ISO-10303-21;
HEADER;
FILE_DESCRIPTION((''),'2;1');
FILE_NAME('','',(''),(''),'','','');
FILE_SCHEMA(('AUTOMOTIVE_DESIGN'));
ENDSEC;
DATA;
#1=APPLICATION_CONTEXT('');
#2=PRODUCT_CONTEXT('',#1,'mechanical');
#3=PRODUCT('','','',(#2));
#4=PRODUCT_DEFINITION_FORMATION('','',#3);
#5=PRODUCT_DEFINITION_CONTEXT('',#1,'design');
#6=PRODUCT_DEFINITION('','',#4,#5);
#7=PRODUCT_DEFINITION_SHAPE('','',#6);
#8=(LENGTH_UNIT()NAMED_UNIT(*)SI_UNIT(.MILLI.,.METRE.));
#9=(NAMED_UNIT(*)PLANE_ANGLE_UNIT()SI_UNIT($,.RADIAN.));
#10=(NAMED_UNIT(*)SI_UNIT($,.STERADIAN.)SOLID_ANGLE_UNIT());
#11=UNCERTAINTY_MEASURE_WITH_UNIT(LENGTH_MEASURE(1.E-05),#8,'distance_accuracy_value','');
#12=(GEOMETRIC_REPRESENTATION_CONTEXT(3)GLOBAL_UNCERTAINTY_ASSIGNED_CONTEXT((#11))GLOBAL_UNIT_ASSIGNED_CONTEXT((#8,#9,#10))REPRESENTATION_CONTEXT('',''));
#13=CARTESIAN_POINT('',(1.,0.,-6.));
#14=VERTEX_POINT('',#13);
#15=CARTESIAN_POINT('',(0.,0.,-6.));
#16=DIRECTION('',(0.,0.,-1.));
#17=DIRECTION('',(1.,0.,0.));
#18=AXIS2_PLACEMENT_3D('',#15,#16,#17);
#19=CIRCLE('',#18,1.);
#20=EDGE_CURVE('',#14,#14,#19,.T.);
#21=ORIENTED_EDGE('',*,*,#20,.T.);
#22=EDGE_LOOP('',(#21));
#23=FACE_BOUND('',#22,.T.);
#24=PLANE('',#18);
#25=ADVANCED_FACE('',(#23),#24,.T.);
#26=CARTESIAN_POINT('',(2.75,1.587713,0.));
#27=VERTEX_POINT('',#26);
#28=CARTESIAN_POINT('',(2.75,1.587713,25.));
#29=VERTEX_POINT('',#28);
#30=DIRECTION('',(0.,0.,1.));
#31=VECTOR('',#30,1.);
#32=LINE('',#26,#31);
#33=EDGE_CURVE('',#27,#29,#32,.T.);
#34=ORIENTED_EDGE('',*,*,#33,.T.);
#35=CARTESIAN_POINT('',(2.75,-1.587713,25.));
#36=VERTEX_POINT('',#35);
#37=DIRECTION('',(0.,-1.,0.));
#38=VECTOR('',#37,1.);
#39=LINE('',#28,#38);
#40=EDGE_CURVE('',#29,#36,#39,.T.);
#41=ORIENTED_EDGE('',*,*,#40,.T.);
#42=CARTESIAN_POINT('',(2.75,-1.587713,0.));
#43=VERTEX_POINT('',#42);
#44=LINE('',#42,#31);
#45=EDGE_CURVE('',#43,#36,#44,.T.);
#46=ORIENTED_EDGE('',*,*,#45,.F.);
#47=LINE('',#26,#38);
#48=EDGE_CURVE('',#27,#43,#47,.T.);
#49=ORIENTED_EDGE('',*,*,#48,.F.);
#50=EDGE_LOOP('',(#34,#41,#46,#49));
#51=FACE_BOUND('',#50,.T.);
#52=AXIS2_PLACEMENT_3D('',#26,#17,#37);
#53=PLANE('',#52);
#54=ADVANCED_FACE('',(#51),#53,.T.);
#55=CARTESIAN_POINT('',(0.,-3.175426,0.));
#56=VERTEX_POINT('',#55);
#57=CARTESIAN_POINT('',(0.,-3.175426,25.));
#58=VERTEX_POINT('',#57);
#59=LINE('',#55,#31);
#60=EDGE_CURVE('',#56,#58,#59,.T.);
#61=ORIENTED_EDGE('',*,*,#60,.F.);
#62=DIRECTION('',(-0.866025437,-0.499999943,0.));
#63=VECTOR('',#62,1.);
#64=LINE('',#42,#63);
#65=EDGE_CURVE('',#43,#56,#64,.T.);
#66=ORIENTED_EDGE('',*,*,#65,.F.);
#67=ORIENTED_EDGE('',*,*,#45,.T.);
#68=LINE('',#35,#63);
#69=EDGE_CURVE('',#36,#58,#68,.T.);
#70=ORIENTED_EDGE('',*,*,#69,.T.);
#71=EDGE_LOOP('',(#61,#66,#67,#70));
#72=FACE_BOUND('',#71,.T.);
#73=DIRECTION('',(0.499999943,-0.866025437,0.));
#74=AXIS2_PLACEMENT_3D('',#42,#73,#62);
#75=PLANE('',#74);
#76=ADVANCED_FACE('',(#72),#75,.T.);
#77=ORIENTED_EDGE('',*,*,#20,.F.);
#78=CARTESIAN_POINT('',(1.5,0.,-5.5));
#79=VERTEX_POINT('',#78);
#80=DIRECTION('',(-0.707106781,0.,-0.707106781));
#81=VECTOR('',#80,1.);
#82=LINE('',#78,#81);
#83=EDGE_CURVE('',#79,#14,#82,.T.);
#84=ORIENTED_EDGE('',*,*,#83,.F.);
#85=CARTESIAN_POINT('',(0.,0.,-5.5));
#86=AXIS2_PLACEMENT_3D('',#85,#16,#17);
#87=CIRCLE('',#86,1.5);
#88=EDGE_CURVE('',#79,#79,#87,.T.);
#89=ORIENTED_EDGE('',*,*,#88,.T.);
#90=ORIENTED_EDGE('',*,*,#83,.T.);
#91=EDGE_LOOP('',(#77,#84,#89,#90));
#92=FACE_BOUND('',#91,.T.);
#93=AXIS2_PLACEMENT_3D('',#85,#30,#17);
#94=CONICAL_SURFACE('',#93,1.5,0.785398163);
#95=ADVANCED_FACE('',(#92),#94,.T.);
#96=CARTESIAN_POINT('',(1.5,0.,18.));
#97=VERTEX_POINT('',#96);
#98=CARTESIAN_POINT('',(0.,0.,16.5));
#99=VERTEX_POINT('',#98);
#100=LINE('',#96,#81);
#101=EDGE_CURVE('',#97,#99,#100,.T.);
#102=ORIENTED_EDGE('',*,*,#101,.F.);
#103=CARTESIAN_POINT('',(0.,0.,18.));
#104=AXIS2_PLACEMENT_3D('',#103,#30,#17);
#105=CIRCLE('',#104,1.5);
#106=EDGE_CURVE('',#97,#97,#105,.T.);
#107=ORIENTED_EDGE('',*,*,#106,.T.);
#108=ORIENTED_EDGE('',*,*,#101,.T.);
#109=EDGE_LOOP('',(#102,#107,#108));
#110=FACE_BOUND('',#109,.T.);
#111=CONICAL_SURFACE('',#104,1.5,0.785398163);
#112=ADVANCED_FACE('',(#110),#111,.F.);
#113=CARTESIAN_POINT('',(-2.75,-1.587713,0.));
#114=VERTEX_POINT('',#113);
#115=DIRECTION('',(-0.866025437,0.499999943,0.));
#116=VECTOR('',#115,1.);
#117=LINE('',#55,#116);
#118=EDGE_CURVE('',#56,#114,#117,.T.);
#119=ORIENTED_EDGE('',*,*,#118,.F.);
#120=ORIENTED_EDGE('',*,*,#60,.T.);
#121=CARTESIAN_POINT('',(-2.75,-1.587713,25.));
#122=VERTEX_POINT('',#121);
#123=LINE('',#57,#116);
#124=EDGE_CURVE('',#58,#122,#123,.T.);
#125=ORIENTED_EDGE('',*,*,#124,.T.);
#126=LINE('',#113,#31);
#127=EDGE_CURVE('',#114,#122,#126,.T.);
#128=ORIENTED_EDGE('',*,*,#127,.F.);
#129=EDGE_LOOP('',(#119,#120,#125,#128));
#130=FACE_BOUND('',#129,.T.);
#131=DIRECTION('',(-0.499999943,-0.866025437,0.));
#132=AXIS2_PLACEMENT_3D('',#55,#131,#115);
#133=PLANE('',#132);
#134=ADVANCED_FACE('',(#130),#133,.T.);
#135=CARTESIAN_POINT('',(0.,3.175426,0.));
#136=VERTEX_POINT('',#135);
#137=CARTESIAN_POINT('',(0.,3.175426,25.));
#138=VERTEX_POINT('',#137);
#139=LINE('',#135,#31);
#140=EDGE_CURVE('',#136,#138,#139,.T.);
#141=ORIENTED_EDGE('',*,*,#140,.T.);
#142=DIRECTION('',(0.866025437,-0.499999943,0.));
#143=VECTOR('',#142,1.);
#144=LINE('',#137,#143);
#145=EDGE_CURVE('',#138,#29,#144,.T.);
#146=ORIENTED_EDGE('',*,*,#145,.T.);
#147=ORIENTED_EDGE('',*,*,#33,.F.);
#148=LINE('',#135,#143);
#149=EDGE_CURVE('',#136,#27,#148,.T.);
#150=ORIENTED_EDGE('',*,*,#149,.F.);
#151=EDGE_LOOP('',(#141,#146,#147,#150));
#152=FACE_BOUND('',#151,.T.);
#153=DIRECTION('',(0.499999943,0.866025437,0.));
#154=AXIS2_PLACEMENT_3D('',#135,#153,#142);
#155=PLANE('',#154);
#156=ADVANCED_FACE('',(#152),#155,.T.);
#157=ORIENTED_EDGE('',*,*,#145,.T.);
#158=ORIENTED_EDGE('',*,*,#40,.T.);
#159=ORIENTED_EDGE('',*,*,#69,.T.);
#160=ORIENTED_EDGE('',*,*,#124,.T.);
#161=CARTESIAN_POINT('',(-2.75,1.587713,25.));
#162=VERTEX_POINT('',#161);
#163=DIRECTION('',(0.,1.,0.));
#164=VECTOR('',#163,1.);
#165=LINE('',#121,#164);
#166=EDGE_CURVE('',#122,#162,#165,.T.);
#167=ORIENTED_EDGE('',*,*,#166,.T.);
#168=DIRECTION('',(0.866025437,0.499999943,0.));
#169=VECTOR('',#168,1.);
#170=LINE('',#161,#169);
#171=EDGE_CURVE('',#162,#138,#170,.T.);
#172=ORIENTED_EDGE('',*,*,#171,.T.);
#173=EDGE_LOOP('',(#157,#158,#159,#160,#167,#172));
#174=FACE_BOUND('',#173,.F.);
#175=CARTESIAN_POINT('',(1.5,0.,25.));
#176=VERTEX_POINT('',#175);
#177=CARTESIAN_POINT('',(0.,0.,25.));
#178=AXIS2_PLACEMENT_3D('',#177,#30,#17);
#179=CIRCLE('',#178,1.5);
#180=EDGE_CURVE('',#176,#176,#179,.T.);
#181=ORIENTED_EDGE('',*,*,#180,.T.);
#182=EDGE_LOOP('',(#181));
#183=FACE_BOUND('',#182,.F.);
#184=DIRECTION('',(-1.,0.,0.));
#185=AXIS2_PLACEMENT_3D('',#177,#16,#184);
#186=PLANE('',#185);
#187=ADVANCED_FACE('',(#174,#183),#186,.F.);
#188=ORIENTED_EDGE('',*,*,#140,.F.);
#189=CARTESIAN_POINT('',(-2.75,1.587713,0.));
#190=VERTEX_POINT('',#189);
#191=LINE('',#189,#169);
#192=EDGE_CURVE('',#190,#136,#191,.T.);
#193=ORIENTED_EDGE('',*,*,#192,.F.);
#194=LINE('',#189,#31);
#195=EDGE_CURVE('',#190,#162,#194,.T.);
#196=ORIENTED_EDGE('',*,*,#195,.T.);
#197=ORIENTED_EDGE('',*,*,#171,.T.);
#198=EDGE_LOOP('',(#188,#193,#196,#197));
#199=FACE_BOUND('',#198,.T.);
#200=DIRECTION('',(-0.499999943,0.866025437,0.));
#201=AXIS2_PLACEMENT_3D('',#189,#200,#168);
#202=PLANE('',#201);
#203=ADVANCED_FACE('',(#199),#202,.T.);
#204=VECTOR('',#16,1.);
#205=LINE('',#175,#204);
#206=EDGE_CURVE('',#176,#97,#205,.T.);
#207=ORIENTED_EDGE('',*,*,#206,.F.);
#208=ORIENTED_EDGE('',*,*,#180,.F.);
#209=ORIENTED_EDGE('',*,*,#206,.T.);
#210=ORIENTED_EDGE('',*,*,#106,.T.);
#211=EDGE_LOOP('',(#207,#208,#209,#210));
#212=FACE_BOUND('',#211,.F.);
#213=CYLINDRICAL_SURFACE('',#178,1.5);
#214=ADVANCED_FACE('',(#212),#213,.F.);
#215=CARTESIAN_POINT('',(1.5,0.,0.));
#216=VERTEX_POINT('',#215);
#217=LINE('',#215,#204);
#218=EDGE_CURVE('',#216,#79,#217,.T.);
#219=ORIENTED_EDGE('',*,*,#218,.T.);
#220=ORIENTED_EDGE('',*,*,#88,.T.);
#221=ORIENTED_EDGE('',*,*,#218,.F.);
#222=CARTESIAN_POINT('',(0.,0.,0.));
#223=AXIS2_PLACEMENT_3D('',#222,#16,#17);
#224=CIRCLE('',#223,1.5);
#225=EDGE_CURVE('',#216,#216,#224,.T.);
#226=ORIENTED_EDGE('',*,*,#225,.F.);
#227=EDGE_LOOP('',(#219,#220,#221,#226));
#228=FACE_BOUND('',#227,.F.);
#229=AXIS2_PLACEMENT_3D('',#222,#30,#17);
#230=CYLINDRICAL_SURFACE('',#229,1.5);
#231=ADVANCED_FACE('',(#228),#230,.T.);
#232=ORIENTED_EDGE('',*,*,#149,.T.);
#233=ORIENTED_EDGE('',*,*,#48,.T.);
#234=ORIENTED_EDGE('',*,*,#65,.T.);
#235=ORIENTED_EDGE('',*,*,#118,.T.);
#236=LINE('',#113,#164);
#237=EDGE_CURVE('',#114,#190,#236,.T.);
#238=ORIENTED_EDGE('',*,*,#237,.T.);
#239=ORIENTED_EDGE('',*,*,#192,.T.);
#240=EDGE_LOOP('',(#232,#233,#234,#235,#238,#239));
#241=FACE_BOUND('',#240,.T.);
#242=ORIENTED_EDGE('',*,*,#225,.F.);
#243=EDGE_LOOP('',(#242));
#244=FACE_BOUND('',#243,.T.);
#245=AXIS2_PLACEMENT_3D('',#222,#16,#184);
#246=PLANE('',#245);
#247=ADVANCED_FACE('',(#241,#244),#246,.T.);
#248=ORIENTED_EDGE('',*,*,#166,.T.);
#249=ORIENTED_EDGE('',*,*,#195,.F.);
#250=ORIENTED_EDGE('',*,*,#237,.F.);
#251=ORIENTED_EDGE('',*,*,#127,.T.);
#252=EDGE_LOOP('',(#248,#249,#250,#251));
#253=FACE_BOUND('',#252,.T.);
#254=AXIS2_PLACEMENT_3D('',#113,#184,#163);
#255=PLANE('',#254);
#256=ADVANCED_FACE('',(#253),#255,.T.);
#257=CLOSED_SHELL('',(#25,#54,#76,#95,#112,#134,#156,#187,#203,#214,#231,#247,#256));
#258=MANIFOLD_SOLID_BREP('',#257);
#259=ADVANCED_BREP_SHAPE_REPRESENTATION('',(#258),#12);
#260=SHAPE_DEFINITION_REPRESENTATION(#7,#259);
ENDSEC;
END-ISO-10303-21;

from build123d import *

# Parameters (mm, degrees)
PAD_DEPTH       = 25
SKETCH001_R     = 1.5
PAD001_DEPTH    = 6
SKETCH002_R     = 1.5
POCKET_DEPTH    = 8.5
CHAMFER_SIZE    = 1.5
CHAMFER001_SIZE = 0.5


with BuildPart() as part:
    # Sketch → Pad (new body)
    with BuildSketch(Plane.XY):
        Polygon((-2.75, -1.587713), (-2.75, 1.587713), (0, 3.175426), (2.75, 1.587713), (2.75, -1.587713), (0, -3.175426), align=None)
    extrude(amount=PAD_DEPTH)

    # Sketch001 (on Face7 of Pad) → Pad001 (new body)
    with BuildSketch(Plane(origin=(0, 0, 0), x_dir=(1, 0, 0), z_dir=(0, 0, -1))):
        Circle(SKETCH001_R)
    extrude(amount=PAD001_DEPTH)

    # Sketch002 (on Face5 of Pad001) → Pocket (cut)
    with BuildSketch(Plane.XY.offset(25)):
        Circle(SKETCH002_R)
    extrude(amount=-POCKET_DEPTH, mode=Mode.SUBTRACT)

    # Chamfer
    chamfer_edges = [part.edges().sort_by_distance(p)[0] for p in [
        (-1.5, 0, 16.5),
    ]]
    chamfer(chamfer_edges, length=CHAMFER_SIZE)

    # Chamfer001
    chamfer001_edges = [part.edges().sort_by_distance(p)[0] for p in [
        (-1.5, 0, -6),
    ]]
    chamfer(chamfer001_edges, length=CHAMFER001_SIZE)


solid = part.part
